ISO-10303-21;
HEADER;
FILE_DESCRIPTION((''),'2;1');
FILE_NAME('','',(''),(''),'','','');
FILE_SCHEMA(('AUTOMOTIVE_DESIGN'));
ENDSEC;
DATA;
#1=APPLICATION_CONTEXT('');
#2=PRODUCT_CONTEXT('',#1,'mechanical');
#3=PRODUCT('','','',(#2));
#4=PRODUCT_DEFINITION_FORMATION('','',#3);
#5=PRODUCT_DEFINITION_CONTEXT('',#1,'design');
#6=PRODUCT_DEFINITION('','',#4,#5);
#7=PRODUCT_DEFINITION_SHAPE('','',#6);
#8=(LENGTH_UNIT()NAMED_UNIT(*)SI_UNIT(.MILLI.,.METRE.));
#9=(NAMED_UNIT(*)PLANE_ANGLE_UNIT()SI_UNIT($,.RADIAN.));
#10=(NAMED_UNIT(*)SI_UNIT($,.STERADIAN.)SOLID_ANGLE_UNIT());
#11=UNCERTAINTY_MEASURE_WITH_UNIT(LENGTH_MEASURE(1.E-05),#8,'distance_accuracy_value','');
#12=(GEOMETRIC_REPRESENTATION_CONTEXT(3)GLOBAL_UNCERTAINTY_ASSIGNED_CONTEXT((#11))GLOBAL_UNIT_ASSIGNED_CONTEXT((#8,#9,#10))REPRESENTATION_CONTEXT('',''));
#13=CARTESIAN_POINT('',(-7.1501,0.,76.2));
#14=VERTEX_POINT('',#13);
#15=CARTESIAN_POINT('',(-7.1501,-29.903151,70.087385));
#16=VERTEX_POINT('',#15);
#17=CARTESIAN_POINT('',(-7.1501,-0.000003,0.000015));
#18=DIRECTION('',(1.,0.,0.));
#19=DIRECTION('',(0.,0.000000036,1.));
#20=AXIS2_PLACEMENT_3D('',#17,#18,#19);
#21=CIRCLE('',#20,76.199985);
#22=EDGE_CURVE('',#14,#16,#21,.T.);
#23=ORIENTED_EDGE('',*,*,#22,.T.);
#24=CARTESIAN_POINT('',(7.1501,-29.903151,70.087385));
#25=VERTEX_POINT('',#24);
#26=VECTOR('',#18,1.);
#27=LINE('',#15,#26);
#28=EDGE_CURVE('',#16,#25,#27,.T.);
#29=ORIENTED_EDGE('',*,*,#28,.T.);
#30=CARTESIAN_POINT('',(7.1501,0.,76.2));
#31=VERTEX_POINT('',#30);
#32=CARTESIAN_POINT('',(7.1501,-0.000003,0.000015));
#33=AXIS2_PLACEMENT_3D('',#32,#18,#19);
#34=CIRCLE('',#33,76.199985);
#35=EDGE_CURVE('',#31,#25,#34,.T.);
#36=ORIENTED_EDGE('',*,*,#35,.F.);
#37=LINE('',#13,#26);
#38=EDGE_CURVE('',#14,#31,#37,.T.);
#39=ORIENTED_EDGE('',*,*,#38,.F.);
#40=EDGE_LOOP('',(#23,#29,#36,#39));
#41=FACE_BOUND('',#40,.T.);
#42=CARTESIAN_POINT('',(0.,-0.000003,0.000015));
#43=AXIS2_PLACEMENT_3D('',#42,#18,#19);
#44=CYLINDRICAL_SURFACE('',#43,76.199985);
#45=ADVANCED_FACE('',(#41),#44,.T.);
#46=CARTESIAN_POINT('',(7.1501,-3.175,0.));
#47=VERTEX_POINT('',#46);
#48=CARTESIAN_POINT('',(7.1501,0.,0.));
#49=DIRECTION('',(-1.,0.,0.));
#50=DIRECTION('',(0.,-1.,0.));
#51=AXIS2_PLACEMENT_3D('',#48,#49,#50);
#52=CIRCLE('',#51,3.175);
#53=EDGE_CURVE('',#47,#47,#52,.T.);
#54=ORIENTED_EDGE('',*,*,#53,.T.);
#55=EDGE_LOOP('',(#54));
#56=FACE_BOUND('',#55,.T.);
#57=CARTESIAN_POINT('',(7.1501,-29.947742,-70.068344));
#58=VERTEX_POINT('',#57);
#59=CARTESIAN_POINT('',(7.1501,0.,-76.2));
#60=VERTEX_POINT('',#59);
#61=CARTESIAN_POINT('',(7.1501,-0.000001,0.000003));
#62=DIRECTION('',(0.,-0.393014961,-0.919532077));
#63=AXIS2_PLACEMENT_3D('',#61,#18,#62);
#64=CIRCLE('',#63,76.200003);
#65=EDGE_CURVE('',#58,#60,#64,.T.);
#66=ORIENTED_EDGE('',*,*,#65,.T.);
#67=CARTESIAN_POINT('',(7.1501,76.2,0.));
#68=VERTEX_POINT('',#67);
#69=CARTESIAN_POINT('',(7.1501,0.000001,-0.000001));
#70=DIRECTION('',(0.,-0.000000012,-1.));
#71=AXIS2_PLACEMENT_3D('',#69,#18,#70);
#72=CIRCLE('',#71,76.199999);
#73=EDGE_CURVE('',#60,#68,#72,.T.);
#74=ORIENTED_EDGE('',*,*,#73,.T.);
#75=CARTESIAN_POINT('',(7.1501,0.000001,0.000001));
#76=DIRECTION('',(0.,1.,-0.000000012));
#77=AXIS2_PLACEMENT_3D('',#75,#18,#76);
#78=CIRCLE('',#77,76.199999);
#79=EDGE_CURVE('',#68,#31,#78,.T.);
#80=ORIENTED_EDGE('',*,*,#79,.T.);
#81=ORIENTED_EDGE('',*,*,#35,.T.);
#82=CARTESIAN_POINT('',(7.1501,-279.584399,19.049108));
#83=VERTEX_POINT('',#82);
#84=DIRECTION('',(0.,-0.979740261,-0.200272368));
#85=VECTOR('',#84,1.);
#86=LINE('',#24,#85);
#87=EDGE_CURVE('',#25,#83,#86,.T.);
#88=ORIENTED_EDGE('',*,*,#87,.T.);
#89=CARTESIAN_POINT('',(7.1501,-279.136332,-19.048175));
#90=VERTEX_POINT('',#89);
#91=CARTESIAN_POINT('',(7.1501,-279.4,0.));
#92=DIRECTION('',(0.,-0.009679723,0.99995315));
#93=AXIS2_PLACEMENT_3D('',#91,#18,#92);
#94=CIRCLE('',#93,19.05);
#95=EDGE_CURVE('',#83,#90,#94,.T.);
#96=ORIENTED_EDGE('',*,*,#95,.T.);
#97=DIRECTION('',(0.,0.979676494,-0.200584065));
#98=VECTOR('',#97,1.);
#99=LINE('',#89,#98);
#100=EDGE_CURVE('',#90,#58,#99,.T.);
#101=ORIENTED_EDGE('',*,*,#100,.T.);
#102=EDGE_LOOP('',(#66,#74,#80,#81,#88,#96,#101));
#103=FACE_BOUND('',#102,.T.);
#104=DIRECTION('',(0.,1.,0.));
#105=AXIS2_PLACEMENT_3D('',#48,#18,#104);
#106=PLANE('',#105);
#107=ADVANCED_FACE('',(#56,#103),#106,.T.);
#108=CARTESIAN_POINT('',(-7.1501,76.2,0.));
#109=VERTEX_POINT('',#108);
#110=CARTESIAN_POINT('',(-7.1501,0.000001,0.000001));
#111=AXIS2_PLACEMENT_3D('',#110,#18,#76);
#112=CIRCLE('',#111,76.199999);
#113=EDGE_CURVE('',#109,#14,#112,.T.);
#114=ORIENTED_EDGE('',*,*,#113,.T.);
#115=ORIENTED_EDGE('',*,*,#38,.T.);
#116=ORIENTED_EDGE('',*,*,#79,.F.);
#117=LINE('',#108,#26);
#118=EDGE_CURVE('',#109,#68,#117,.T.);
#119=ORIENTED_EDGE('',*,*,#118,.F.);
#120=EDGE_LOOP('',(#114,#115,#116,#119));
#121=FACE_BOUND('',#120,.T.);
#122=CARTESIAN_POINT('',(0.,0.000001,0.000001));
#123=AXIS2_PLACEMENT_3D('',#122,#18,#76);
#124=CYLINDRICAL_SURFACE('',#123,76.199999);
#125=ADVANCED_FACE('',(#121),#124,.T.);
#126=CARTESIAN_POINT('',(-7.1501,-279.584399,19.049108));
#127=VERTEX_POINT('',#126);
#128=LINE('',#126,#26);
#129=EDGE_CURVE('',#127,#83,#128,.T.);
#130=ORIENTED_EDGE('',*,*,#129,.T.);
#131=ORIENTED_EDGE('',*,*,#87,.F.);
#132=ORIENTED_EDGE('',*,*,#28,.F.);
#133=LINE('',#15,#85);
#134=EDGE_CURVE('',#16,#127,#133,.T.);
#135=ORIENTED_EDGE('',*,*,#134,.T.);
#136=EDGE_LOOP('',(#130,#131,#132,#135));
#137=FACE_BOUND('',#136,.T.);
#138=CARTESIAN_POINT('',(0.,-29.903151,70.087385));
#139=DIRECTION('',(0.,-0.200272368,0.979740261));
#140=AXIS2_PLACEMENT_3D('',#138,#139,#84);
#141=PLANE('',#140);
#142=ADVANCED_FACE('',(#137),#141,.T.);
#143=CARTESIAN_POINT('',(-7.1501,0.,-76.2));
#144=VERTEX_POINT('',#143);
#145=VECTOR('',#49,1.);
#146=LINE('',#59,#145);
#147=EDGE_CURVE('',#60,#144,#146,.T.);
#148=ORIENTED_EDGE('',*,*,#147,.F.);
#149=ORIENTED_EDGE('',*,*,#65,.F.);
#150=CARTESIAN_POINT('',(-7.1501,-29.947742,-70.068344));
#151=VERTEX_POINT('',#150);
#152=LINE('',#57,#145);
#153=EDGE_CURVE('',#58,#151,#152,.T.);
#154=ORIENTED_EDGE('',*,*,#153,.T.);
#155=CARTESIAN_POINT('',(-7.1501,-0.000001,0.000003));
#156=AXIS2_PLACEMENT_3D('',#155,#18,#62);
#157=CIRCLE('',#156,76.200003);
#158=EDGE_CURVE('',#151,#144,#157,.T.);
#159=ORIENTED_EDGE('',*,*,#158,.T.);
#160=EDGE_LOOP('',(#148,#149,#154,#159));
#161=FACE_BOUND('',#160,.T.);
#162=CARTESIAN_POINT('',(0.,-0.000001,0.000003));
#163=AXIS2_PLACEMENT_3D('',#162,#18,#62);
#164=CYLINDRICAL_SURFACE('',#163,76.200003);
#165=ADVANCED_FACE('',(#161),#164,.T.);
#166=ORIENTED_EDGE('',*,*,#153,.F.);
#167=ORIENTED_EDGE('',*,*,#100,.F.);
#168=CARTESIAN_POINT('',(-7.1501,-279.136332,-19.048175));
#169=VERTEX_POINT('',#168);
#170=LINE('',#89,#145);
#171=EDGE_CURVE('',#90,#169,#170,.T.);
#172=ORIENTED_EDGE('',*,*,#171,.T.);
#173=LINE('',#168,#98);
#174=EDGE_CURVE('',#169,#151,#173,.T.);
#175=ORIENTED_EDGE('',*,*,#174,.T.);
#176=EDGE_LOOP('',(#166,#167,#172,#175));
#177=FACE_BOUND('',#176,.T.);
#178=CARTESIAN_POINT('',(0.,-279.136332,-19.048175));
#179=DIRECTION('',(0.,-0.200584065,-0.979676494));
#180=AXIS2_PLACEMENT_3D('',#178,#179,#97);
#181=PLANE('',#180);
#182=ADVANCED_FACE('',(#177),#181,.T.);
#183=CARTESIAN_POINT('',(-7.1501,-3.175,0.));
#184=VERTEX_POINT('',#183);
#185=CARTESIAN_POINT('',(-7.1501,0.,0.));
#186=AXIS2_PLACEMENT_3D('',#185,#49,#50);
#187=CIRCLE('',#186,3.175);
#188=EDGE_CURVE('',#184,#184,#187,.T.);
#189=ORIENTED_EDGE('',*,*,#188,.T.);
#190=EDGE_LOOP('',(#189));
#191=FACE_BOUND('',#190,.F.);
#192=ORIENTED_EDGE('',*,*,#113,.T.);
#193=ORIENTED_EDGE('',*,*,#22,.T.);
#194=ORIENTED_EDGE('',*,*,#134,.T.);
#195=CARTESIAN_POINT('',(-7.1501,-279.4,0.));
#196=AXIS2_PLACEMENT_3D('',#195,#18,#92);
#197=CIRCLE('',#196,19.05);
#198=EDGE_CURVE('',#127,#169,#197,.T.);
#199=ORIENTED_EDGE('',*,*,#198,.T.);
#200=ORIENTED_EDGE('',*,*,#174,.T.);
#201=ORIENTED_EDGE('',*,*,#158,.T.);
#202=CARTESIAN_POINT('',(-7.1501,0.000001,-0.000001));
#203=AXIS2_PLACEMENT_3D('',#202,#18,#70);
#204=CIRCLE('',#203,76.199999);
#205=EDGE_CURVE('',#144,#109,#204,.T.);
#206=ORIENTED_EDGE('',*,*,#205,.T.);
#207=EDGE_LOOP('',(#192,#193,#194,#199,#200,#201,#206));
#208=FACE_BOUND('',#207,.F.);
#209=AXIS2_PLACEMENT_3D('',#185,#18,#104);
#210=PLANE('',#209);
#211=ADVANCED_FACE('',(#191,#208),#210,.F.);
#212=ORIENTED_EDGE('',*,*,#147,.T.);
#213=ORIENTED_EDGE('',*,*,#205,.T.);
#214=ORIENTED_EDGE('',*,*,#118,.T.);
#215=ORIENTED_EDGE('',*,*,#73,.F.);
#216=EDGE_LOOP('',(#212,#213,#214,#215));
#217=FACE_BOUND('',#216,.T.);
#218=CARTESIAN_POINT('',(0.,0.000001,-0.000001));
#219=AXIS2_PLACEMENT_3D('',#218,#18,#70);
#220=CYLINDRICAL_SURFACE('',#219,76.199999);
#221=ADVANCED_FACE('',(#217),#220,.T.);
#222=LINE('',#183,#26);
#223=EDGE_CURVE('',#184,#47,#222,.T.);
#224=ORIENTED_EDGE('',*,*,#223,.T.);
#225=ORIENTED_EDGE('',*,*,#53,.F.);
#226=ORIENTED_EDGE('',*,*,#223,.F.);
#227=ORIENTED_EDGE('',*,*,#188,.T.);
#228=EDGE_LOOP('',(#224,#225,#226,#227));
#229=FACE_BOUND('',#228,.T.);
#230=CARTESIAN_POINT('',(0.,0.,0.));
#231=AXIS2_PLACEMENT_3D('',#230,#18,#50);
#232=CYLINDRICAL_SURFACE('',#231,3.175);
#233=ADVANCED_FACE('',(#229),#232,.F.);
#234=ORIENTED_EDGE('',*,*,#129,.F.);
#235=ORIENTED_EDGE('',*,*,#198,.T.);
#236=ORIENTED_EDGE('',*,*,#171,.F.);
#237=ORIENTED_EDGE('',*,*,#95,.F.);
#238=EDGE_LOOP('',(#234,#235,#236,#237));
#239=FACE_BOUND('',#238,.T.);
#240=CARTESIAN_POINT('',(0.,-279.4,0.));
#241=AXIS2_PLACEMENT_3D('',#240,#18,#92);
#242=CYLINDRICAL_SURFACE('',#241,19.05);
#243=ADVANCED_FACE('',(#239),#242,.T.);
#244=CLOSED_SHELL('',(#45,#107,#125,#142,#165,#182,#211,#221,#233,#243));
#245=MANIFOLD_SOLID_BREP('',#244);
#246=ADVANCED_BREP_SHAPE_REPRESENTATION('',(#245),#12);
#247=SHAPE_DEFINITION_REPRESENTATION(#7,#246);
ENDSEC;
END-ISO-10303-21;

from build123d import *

# Parameters (mm, degrees)
F1_DEPTH = 7.1501


with BuildPart() as f1:
    # F0 (on Right) → F1 (new body, symmetric)
    with BuildSketch(Plane.YZ):
        with BuildLine():
            ThreePointArc((3.175, 0), (0, 3.175), (-3.175, 0))
            ThreePointArc((-3.175, 0), (0, -3.175), (3.175, 0))
        make_face()
        with BuildLine():
            ThreePointArc((0, -76.2), (53.881537, -53.881537), (76.2, 0))
            ThreePointArc((76.2, 0), (53.881537, 53.881537), (0, 76.2))
            Line((0, 76.2), (-29.903151, 70.087385))
            ThreePointArc((-29.903151, 70.087385), (-63.580894, 41.998928), (-76.2, 0))
            ThreePointArc((-76.2, 0), (-63.594253, -41.978698), (-29.947742, -70.068344))
            Line((-29.947742, -70.068344), (0, -76.2))
        make_face()
        with BuildLine():
            ThreePointArc((3.175, 0), (0, -3.175), (-3.175, 0))
            ThreePointArc((-3.175, 0), (0, 3.175), (3.175, 0))
        make_face(mode=Mode.SUBTRACT)
        with BuildLine():
            Line((-29.903151, 70.087385), (0, 76.2))
            ThreePointArc((0, 76.2), (-15.260755, 74.656208), (-29.903151, 70.087385))
        make_face()
        with BuildLine():
            ThreePointArc((-29.947742, -70.068344), (-15.284506, -74.651349), (0, -76.2))
            Line((0, -76.2), (-29.947742, -70.068344))
        make_face()
        with BuildLine():
            ThreePointArc((-76.2, 0), (-63.580894, 41.998928), (-29.903151, 70.087385))
            Line((-29.903151, 70.087385), (-279.584399, 19.049108))
            ThreePointArc((-279.584399, 19.049108), (-265.994969, 13.535422), (-260.35, 0))
            Line((-260.35, 0), (-76.2, 0))
        make_face()
        with BuildLine():
            Line((-279.136332, -19.048175), (-29.947742, -70.068344))
            ThreePointArc((-29.947742, -70.068344), (-63.594253, -41.978698), (-76.2, 0))
            Line((-76.2, 0), (-260.35, 0))
            ThreePointArc((-260.35, 0), (-265.836716, -13.376839), (-279.136332, -19.048175))
        make_face()
        with BuildLine():
            ThreePointArc((-260.35, 0), (-265.994969, 13.535422), (-279.584399, 19.049108))
            ThreePointArc((-279.584399, 19.049108), (-298.448683, -0.224034), (-279.136332, -19.048175))
            ThreePointArc((-279.136332, -19.048175), (-265.836716, -13.376839), (-260.35, 0))
        make_face()
    extrude(amount=F1_DEPTH, both=True)


solid = f1.part
